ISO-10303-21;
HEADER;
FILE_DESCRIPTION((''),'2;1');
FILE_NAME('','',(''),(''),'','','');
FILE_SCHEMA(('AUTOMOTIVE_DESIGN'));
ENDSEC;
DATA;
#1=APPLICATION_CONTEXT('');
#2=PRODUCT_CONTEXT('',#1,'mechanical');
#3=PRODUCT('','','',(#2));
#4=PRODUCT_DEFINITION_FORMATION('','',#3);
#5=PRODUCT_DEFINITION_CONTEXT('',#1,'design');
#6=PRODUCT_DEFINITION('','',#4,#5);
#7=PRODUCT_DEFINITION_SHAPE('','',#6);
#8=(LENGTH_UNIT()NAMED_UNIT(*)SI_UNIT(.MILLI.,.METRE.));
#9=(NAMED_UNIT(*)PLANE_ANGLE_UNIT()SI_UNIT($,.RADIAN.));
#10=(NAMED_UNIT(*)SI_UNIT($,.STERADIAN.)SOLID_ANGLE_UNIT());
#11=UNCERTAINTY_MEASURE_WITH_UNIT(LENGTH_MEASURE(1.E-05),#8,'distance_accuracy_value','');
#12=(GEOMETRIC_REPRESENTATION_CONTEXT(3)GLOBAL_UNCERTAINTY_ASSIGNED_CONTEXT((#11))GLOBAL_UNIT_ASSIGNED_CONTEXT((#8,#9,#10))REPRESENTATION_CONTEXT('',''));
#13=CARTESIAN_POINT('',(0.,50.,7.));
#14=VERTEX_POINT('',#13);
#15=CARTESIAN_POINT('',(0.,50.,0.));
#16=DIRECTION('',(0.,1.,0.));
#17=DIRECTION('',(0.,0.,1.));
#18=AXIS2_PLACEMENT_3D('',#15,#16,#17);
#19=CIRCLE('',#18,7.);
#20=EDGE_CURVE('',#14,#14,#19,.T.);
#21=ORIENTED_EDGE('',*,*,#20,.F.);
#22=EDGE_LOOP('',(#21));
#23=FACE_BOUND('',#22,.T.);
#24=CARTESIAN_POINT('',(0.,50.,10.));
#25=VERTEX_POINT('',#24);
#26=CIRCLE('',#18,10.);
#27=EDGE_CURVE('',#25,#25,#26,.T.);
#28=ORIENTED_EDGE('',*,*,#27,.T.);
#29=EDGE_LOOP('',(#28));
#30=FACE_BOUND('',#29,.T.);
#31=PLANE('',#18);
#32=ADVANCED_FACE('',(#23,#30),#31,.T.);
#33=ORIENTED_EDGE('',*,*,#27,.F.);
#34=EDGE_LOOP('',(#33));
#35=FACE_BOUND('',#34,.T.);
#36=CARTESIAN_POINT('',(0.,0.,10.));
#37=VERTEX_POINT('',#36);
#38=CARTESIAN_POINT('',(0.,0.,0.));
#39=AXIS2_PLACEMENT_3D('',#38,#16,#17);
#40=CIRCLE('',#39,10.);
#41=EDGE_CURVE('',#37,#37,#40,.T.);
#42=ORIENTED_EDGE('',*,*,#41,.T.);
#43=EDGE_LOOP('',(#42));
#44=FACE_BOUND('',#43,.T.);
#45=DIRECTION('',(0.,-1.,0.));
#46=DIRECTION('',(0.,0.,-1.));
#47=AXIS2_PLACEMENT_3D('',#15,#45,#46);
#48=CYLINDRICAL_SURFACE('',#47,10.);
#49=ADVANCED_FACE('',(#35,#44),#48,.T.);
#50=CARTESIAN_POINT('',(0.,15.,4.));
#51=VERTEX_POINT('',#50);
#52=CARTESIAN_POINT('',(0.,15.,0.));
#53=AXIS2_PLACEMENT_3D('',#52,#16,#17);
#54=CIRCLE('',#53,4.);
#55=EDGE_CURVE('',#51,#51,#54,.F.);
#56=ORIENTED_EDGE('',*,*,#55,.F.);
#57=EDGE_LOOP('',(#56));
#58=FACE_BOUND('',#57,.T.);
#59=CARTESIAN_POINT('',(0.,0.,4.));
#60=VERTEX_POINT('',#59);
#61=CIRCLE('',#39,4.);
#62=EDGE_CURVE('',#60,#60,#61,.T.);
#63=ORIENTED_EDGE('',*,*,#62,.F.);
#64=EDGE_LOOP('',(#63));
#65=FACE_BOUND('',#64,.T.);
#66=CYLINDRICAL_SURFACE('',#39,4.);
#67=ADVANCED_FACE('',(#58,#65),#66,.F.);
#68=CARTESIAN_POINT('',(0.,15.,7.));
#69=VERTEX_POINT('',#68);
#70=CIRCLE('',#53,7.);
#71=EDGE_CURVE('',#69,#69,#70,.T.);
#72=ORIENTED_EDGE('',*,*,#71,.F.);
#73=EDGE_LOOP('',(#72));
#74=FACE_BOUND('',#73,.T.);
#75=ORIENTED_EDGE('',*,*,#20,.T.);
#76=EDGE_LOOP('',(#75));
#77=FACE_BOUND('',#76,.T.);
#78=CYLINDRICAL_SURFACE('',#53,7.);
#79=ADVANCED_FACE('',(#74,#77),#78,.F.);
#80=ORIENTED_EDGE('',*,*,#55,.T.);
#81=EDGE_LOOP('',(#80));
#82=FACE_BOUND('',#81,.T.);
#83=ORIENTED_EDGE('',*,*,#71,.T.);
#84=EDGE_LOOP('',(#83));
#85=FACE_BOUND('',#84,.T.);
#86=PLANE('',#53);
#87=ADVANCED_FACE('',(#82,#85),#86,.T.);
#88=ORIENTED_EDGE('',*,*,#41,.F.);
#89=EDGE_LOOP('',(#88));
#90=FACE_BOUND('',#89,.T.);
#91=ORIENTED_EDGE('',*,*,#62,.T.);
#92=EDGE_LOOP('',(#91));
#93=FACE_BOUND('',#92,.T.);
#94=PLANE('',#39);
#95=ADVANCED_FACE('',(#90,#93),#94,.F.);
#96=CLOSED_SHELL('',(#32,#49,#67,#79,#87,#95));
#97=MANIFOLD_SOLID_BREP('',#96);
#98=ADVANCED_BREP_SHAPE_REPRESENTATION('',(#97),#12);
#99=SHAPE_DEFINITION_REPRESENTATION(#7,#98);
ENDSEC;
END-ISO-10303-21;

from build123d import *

# Parameters (mm, degrees)
SKETCH1_R           = 10
BOSS_EXTRUDE1_DEPTH = 50
SKETCH2_R           = 4
CUT_EXTRUDE1_DEPTH  = 51
SKETCH3_R           = 7
CUT_EXTRUDE2_DEPTH  = 35


with BuildPart() as part:
    # Sketch1 → Boss-Extrude1 (new body)
    with BuildSketch(Plane(origin=(0, 0, 0), x_dir=(1, 0, 0), z_dir=(0, 1, 0))):
        Circle(SKETCH1_R)
    extrude(amount=BOSS_EXTRUDE1_DEPTH)

    # Sketch2 → Cut-Extrude1 (cut, through all)
    with BuildSketch(Plane(origin=(0, 50, 0), x_dir=(1, 0, 0), z_dir=(0, 1, 0))):
        Circle(SKETCH2_R)
    extrude(amount=-CUT_EXTRUDE1_DEPTH, mode=Mode.SUBTRACT)

    # Sketch3 → Cut-Extrude2 (cut)
    with BuildSketch(Plane(origin=(0, 50, 0), x_dir=(1, 0, 0), z_dir=(0, 1, 0))):
        Circle(SKETCH3_R)
    extrude(amount=-CUT_EXTRUDE2_DEPTH, mode=Mode.SUBTRACT)


solid = part.part
